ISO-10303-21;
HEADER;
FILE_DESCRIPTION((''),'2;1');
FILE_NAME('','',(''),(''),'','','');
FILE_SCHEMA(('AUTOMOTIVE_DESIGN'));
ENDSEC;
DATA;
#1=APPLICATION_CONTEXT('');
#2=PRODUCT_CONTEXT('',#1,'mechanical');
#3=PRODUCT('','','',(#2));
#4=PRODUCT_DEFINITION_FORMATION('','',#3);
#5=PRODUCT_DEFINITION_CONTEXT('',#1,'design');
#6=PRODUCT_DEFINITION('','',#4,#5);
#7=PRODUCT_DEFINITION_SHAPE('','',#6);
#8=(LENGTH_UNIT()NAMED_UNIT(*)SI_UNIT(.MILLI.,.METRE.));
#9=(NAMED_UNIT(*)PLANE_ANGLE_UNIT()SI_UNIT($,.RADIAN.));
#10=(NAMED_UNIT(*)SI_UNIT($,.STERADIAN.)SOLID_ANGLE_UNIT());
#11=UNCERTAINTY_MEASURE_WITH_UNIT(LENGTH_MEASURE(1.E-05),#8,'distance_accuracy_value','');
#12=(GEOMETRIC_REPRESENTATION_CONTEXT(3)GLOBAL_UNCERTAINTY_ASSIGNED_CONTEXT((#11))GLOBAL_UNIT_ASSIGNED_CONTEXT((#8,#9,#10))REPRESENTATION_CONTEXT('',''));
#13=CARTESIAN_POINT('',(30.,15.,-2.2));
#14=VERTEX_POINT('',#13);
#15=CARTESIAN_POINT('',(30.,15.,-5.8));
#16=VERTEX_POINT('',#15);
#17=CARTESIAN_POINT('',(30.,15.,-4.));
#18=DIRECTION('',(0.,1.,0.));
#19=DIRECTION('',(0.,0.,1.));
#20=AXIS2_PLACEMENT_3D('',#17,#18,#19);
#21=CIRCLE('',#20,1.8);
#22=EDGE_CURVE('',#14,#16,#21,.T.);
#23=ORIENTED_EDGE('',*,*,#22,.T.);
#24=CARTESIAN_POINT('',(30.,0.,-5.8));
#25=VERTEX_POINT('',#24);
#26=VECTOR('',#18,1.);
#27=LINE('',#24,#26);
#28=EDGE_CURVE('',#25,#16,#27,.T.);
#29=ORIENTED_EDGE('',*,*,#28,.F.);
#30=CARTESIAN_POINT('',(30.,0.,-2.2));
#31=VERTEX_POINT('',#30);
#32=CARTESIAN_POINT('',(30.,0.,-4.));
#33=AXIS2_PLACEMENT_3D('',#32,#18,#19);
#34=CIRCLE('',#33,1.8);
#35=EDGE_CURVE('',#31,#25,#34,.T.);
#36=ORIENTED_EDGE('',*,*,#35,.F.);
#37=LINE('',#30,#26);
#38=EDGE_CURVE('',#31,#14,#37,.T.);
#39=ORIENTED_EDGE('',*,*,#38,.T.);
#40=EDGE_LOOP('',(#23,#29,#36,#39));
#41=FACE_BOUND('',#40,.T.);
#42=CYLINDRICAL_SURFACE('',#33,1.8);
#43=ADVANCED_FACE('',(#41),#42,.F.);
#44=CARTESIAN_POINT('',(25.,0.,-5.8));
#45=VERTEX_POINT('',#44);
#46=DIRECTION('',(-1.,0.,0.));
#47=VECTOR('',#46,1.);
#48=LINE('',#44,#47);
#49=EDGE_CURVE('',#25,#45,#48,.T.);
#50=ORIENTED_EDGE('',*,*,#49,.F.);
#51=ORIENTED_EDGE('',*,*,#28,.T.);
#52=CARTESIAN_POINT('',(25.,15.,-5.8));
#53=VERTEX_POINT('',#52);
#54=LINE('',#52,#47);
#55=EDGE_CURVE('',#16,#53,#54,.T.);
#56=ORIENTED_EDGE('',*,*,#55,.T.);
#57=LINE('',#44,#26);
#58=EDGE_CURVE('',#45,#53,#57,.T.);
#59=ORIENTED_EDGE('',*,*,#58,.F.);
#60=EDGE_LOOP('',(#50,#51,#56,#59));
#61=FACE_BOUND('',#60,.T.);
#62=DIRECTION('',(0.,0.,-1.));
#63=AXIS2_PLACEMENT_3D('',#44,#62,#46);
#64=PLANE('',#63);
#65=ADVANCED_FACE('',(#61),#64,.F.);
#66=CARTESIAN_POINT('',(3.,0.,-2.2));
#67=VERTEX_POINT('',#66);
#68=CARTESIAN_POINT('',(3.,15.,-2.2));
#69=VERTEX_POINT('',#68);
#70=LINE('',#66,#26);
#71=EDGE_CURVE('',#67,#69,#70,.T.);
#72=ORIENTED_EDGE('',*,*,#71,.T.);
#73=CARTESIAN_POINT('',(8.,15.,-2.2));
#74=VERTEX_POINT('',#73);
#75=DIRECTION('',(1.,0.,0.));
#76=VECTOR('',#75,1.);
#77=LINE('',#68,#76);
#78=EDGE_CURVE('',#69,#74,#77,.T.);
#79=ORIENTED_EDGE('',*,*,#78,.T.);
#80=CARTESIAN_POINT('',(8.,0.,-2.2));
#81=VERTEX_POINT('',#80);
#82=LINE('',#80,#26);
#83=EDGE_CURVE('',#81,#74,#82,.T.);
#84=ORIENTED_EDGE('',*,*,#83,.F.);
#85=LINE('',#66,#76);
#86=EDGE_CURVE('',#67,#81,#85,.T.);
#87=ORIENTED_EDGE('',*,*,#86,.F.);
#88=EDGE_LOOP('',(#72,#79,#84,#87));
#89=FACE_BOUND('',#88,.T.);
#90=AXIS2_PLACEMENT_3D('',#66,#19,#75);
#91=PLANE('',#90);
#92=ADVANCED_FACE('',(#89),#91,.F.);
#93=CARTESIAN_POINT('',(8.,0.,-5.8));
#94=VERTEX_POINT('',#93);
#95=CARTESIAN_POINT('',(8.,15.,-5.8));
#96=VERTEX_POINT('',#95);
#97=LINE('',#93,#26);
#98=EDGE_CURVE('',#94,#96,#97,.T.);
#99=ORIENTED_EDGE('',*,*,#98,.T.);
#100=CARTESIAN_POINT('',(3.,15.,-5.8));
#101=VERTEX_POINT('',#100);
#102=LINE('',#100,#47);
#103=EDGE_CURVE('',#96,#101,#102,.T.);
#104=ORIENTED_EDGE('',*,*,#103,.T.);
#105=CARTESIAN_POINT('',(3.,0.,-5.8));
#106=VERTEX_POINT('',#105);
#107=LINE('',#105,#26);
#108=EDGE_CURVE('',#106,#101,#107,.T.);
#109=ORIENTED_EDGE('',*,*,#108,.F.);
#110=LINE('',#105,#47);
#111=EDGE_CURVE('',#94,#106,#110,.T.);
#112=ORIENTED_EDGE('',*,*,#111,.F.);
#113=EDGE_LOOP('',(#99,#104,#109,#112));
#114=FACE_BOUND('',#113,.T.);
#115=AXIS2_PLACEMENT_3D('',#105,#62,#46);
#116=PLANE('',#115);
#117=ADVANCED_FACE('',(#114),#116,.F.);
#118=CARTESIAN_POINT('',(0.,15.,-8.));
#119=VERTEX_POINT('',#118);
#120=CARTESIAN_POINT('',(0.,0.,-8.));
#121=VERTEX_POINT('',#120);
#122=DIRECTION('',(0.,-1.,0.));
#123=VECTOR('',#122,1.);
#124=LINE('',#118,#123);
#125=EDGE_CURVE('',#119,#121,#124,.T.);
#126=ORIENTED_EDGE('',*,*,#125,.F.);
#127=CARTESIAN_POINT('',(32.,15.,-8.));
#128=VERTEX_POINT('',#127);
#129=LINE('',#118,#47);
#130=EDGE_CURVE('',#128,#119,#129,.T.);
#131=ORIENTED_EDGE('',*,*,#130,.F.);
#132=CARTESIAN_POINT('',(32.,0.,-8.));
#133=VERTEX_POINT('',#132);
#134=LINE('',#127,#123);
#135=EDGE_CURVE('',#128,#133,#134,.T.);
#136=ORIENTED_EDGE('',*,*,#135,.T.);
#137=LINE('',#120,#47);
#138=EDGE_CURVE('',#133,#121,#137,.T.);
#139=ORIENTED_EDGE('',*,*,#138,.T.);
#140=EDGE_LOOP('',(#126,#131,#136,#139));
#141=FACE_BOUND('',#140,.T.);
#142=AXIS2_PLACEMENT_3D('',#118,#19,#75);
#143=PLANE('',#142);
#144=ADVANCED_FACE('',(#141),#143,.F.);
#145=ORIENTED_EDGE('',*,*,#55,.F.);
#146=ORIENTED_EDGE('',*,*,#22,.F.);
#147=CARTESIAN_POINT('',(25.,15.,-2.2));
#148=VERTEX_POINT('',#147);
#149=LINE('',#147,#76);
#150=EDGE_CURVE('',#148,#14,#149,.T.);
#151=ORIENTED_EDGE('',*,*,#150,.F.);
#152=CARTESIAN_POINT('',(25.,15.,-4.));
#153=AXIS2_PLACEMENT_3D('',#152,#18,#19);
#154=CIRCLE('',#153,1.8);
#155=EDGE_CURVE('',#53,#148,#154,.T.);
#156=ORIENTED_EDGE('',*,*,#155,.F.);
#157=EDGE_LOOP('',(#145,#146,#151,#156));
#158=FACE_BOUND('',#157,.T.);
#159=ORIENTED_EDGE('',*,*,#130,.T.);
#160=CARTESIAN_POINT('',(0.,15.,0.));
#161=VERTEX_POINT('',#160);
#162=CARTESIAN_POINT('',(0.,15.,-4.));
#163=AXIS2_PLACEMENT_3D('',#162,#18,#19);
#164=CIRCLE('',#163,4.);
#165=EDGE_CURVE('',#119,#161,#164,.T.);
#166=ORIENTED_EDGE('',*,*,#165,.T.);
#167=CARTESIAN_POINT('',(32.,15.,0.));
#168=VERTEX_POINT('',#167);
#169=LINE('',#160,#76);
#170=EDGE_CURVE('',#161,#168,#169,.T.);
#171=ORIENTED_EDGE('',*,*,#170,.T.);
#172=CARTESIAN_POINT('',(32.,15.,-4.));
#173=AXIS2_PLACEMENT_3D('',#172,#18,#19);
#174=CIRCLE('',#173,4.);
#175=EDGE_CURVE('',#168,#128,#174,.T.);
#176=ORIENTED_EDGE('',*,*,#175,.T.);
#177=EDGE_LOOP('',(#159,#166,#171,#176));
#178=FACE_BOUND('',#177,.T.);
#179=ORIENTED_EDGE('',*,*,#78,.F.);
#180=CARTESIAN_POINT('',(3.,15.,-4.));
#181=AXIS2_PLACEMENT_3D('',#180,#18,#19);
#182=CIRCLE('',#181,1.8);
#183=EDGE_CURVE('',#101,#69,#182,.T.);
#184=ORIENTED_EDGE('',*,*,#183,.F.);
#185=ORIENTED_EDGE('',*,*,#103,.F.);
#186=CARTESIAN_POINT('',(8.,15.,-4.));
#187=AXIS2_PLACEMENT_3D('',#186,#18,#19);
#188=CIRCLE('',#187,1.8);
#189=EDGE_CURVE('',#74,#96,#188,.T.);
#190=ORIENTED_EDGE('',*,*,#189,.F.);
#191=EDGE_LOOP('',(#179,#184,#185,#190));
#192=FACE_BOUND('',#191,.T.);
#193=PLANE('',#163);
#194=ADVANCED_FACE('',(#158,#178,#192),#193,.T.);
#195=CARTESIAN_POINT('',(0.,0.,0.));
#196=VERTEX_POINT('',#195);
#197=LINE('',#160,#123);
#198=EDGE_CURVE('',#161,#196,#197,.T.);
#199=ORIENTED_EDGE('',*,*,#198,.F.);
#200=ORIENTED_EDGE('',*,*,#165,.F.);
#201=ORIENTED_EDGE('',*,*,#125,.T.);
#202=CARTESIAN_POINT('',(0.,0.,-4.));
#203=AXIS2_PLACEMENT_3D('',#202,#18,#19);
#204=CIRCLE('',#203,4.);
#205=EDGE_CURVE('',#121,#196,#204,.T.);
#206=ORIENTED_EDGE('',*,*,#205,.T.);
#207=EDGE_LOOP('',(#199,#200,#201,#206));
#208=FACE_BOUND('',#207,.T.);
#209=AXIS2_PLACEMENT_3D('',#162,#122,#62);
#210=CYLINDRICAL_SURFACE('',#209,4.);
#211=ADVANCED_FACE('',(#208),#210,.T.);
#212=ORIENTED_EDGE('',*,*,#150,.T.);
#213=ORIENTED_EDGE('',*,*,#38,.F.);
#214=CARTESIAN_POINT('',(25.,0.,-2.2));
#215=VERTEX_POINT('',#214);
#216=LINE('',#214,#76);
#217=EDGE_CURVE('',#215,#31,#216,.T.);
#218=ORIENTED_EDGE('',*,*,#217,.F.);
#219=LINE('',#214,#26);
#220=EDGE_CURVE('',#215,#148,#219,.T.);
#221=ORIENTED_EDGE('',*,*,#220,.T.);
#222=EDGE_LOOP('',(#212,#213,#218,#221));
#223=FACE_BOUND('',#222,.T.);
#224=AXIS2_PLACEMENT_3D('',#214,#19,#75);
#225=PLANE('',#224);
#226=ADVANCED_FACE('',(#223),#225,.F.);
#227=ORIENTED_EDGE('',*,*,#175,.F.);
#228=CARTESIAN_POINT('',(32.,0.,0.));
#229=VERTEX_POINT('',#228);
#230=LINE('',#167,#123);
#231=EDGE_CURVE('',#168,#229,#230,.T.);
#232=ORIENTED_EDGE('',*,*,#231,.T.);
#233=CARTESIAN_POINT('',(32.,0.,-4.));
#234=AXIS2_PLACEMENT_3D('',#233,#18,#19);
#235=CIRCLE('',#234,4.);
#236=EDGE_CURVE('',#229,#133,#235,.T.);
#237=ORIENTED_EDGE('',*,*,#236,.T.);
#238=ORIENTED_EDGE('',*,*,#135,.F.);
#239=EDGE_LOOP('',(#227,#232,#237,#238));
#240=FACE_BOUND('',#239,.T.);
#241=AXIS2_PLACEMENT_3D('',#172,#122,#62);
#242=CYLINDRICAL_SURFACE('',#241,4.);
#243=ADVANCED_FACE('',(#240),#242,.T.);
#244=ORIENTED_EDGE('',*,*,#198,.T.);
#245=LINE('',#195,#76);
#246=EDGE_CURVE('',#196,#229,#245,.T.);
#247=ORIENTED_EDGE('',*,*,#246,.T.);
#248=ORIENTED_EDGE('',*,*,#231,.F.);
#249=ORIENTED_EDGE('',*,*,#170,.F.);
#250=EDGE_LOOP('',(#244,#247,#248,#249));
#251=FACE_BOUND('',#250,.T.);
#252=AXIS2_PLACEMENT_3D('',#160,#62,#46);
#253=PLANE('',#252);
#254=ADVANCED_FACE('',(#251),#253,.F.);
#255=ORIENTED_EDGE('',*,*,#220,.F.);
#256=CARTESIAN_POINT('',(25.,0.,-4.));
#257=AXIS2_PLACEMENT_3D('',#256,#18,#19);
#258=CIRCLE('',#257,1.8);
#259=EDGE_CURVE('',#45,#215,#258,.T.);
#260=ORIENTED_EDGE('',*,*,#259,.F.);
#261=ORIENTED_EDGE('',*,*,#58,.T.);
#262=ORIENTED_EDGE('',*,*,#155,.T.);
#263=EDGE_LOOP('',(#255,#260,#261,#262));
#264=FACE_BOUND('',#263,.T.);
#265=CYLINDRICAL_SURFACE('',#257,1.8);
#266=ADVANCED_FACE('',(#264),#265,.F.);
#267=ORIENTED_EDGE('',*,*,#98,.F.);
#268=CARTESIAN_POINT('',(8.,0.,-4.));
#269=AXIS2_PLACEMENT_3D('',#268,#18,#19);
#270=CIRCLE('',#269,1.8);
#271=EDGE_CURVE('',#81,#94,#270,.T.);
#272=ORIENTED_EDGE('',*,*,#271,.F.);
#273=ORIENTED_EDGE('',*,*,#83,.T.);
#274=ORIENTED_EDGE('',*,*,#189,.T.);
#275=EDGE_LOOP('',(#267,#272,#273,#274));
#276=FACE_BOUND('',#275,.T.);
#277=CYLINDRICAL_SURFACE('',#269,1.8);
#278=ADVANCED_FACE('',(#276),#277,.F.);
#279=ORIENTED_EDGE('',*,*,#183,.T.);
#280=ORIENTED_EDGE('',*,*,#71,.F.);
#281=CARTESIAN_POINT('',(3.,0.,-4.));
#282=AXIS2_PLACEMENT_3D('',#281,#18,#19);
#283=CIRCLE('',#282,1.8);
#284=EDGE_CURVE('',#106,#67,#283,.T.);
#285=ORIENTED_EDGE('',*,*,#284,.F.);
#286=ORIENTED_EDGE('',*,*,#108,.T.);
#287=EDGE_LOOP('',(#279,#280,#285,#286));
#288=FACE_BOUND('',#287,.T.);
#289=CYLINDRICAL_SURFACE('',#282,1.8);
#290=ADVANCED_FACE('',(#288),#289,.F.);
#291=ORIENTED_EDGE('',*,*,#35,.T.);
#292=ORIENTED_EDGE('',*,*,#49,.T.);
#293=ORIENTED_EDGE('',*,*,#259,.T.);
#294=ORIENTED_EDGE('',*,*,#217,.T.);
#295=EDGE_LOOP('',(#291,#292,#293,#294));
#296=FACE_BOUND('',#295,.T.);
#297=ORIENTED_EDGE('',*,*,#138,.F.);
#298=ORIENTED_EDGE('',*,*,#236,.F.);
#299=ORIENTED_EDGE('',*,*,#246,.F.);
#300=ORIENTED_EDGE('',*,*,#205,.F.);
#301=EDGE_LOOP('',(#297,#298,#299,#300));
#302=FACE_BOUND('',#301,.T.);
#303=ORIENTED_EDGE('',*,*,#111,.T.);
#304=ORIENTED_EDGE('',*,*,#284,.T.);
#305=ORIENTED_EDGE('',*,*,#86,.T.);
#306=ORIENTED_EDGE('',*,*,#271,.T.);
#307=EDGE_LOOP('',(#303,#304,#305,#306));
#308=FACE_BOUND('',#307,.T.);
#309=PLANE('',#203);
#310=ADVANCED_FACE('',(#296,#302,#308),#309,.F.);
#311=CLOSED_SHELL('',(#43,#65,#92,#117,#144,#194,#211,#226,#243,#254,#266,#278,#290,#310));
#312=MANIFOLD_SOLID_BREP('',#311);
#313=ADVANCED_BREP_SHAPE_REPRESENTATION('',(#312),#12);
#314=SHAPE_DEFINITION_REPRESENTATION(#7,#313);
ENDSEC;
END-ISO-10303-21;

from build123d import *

# Parameters (mm, degrees)
BOSS_EXTRUDE2_DEPTH = 15
CUT_EXTRUDE1_DEPTH  = 40.812058475


with BuildPart() as part:
    # Sketch5 → Boss-Extrude2 (new body)
    with BuildSketch(Plane(origin=(0, 0, 0), x_dir=(1, 0, 0), z_dir=(0, 1, 0))):
        with BuildLine():
            Line((0, 0), (32, 0))
            ThreePointArc((32, 0), (36, 4), (32, 8))
            Line((32, 8), (0, 8))
            ThreePointArc((0, 8), (-4, 4), (0, 0))
        make_face()
    extrude(amount=BOSS_EXTRUDE2_DEPTH)

    # Sketch8 → Cut-Extrude1 (cut, through all)
    with BuildSketch(Plane(origin=(0, 15, 0), x_dir=(1, 0, 0), z_dir=(0, 1, 0))):
        with BuildLine():
            Line((3, 5.8), (8, 5.8))
            ThreePointArc((8, 5.8), (9.8, 4), (8, 2.2))
            Line((8, 2.2), (3, 2.2))
            ThreePointArc((3, 2.2), (1.2, 4), (3, 5.8))
        make_face()
        with BuildLine():
            Line((25, 5.8), (30, 5.8))
            ThreePointArc((30, 5.8), (31.8, 4), (30, 2.2))
            Line((30, 2.2), (25, 2.2))
            ThreePointArc((25, 2.2), (23.2, 4), (25, 5.8))
        make_face()
    extrude(amount=-CUT_EXTRUDE1_DEPTH, mode=Mode.SUBTRACT)


solid = part.part
